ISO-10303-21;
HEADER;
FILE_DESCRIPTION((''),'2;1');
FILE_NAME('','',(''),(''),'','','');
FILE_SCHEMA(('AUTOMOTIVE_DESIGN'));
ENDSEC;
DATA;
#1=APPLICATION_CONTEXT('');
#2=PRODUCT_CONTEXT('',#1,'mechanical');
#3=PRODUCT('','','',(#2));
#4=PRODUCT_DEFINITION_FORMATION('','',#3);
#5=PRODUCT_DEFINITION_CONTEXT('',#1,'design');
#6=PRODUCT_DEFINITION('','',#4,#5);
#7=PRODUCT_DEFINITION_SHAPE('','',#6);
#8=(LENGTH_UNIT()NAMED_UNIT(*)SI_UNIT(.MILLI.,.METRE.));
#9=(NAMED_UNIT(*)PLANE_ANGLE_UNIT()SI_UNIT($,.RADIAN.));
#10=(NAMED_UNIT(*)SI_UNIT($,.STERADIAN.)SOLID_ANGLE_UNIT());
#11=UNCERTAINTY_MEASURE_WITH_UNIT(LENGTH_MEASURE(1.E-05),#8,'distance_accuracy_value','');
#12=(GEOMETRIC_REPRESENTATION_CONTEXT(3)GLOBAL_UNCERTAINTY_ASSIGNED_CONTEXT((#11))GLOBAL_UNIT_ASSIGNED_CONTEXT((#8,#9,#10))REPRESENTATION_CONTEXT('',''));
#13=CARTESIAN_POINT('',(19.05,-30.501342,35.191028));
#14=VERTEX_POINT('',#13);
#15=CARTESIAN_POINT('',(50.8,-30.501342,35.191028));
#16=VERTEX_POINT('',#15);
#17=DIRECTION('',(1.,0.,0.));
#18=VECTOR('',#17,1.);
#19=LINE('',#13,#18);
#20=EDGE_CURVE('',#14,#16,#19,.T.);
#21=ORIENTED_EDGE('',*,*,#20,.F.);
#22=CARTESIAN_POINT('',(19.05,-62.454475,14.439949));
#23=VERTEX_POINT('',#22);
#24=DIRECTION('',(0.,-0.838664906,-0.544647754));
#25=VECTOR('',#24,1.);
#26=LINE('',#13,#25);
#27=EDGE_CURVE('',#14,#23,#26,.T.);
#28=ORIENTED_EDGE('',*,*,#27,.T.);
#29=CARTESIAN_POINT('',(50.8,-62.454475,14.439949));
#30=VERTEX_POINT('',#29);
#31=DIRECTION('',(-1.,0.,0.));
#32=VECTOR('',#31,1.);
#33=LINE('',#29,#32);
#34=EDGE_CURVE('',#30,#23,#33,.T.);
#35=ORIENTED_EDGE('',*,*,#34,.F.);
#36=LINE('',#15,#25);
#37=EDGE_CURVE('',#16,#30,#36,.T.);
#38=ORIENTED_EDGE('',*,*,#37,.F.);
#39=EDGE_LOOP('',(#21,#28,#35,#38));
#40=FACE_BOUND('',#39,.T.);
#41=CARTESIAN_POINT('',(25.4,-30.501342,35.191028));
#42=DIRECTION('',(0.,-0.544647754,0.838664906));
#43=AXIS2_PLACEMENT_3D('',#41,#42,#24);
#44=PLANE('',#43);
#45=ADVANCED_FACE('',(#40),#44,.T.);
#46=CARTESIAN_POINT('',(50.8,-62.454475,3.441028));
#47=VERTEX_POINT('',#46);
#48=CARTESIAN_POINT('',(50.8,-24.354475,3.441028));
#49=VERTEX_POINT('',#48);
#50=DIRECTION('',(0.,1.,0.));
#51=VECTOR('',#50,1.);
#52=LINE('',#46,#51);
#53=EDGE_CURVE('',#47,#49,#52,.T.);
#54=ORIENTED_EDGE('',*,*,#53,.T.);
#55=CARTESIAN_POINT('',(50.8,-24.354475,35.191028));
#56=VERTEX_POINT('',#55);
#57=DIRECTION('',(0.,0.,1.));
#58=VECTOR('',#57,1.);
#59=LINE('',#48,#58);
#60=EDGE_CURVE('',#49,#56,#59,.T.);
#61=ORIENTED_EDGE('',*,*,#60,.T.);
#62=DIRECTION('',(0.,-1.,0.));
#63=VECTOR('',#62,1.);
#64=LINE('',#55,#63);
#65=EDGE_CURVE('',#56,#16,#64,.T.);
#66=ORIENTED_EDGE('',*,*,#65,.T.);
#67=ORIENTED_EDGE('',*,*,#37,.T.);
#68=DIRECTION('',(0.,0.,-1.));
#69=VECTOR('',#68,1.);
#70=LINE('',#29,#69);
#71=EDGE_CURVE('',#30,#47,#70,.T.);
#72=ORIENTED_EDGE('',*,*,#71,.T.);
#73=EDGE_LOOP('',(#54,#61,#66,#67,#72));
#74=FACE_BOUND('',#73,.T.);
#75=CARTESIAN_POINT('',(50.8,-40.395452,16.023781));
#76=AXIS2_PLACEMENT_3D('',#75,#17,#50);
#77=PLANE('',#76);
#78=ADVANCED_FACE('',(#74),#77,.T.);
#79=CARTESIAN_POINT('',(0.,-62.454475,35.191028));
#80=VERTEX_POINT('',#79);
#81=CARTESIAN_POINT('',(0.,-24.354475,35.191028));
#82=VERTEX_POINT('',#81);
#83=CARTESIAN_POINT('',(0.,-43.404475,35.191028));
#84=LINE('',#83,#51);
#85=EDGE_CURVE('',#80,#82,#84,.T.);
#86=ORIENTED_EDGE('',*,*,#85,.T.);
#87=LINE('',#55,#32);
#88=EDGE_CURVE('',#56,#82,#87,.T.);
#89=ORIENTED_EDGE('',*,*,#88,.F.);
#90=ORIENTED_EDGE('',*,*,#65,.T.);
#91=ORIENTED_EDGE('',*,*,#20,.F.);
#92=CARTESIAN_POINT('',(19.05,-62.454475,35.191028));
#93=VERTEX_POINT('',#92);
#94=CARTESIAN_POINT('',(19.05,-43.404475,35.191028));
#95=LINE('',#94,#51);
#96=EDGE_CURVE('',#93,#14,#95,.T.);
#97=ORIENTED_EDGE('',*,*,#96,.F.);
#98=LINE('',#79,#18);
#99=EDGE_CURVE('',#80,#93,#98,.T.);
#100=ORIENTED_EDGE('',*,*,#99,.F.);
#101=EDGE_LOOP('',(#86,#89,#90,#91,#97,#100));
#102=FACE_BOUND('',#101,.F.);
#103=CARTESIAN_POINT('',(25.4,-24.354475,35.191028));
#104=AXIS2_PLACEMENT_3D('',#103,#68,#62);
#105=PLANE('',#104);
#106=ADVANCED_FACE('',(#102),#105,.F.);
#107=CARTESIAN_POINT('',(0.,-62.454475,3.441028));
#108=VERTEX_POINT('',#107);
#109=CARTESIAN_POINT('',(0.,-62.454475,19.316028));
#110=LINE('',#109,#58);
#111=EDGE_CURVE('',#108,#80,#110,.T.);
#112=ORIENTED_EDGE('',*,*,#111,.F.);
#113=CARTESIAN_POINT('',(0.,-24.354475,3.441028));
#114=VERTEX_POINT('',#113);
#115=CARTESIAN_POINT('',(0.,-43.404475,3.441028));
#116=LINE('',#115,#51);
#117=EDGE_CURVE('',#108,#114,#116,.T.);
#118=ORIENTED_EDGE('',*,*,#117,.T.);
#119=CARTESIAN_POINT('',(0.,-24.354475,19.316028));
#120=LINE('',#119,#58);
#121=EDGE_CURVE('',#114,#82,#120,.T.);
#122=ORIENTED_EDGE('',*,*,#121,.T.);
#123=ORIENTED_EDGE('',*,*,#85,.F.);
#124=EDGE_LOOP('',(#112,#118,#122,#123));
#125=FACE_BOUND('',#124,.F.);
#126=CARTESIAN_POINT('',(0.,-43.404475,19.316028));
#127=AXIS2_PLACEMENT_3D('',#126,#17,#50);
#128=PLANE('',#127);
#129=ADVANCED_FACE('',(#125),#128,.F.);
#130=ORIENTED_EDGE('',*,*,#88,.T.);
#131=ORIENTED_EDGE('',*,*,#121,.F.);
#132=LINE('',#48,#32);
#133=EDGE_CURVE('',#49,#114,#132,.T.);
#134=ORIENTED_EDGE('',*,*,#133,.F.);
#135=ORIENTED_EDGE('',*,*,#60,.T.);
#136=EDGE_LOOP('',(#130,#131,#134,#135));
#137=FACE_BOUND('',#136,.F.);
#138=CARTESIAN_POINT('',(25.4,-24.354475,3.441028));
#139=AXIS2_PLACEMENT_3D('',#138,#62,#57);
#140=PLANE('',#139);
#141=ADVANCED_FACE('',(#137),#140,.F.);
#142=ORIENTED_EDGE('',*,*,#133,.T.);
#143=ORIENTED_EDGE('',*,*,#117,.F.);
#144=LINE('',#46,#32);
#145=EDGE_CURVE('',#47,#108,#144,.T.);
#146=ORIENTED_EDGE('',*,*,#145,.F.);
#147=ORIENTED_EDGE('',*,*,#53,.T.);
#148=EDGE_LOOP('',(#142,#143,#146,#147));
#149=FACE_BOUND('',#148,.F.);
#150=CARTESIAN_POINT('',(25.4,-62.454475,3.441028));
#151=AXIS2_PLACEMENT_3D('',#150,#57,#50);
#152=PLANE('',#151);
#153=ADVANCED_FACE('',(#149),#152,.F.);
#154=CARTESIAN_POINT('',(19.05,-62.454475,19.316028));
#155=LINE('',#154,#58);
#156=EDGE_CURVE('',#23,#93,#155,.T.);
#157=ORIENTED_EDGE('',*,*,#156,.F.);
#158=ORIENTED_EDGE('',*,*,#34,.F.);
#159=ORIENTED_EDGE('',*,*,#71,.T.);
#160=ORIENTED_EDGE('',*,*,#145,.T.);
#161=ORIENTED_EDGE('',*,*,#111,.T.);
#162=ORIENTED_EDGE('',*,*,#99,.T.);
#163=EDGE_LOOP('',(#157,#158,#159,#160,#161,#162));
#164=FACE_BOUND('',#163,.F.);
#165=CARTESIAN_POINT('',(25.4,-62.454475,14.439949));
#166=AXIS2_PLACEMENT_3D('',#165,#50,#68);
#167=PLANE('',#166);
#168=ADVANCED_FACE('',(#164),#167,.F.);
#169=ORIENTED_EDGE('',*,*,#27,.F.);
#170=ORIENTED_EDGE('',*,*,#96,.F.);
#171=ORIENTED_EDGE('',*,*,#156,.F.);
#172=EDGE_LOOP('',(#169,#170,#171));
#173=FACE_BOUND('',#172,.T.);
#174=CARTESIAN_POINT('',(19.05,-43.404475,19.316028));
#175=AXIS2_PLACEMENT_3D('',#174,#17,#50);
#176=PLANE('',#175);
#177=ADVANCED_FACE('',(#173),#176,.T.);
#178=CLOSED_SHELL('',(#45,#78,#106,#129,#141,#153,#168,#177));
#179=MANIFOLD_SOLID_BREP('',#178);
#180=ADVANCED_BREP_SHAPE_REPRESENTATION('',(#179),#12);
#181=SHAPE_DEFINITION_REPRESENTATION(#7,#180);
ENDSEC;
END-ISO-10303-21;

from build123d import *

# Parameters (mm, degrees)
F0_W     = 38.1
F0_H     = 31.75
F1_DEPTH = 25.4
F3_DEPTH = 25.4
F4_DEPTH = 6.35


with BuildPart() as f1:
    # F0 (on Right) → F1 (new body)
    with BuildSketch(Plane.YZ):
        with Locations((-43.4044748545, 19.3160282822)):
            Rectangle(F0_W, F0_H)
    extrude(amount=F1_DEPTH)

    # F2 (on face) → F3 (join)
    with BuildSketch(Plane.YZ.offset(25.4)):
        Polygon((-24.3544748545, 35.1910282822), (-30.5013419502, 35.1910282822), (-62.4544748545, 14.43994885), (-62.4544748545, 3.4410282822), (-24.3544748545, 3.4410282822), align=None)
    extrude(amount=F3_DEPTH)

    # F4 (cut): a face of the model
    f4_faces = [f1.faces().sort_by_distance(p)[0] for p in [
        (25.4, -51.8034305531, 28.2740018048),
    ]]
    extrude(f4_faces, amount=-F4_DEPTH, mode=Mode.SUBTRACT)


solid = f1.part
